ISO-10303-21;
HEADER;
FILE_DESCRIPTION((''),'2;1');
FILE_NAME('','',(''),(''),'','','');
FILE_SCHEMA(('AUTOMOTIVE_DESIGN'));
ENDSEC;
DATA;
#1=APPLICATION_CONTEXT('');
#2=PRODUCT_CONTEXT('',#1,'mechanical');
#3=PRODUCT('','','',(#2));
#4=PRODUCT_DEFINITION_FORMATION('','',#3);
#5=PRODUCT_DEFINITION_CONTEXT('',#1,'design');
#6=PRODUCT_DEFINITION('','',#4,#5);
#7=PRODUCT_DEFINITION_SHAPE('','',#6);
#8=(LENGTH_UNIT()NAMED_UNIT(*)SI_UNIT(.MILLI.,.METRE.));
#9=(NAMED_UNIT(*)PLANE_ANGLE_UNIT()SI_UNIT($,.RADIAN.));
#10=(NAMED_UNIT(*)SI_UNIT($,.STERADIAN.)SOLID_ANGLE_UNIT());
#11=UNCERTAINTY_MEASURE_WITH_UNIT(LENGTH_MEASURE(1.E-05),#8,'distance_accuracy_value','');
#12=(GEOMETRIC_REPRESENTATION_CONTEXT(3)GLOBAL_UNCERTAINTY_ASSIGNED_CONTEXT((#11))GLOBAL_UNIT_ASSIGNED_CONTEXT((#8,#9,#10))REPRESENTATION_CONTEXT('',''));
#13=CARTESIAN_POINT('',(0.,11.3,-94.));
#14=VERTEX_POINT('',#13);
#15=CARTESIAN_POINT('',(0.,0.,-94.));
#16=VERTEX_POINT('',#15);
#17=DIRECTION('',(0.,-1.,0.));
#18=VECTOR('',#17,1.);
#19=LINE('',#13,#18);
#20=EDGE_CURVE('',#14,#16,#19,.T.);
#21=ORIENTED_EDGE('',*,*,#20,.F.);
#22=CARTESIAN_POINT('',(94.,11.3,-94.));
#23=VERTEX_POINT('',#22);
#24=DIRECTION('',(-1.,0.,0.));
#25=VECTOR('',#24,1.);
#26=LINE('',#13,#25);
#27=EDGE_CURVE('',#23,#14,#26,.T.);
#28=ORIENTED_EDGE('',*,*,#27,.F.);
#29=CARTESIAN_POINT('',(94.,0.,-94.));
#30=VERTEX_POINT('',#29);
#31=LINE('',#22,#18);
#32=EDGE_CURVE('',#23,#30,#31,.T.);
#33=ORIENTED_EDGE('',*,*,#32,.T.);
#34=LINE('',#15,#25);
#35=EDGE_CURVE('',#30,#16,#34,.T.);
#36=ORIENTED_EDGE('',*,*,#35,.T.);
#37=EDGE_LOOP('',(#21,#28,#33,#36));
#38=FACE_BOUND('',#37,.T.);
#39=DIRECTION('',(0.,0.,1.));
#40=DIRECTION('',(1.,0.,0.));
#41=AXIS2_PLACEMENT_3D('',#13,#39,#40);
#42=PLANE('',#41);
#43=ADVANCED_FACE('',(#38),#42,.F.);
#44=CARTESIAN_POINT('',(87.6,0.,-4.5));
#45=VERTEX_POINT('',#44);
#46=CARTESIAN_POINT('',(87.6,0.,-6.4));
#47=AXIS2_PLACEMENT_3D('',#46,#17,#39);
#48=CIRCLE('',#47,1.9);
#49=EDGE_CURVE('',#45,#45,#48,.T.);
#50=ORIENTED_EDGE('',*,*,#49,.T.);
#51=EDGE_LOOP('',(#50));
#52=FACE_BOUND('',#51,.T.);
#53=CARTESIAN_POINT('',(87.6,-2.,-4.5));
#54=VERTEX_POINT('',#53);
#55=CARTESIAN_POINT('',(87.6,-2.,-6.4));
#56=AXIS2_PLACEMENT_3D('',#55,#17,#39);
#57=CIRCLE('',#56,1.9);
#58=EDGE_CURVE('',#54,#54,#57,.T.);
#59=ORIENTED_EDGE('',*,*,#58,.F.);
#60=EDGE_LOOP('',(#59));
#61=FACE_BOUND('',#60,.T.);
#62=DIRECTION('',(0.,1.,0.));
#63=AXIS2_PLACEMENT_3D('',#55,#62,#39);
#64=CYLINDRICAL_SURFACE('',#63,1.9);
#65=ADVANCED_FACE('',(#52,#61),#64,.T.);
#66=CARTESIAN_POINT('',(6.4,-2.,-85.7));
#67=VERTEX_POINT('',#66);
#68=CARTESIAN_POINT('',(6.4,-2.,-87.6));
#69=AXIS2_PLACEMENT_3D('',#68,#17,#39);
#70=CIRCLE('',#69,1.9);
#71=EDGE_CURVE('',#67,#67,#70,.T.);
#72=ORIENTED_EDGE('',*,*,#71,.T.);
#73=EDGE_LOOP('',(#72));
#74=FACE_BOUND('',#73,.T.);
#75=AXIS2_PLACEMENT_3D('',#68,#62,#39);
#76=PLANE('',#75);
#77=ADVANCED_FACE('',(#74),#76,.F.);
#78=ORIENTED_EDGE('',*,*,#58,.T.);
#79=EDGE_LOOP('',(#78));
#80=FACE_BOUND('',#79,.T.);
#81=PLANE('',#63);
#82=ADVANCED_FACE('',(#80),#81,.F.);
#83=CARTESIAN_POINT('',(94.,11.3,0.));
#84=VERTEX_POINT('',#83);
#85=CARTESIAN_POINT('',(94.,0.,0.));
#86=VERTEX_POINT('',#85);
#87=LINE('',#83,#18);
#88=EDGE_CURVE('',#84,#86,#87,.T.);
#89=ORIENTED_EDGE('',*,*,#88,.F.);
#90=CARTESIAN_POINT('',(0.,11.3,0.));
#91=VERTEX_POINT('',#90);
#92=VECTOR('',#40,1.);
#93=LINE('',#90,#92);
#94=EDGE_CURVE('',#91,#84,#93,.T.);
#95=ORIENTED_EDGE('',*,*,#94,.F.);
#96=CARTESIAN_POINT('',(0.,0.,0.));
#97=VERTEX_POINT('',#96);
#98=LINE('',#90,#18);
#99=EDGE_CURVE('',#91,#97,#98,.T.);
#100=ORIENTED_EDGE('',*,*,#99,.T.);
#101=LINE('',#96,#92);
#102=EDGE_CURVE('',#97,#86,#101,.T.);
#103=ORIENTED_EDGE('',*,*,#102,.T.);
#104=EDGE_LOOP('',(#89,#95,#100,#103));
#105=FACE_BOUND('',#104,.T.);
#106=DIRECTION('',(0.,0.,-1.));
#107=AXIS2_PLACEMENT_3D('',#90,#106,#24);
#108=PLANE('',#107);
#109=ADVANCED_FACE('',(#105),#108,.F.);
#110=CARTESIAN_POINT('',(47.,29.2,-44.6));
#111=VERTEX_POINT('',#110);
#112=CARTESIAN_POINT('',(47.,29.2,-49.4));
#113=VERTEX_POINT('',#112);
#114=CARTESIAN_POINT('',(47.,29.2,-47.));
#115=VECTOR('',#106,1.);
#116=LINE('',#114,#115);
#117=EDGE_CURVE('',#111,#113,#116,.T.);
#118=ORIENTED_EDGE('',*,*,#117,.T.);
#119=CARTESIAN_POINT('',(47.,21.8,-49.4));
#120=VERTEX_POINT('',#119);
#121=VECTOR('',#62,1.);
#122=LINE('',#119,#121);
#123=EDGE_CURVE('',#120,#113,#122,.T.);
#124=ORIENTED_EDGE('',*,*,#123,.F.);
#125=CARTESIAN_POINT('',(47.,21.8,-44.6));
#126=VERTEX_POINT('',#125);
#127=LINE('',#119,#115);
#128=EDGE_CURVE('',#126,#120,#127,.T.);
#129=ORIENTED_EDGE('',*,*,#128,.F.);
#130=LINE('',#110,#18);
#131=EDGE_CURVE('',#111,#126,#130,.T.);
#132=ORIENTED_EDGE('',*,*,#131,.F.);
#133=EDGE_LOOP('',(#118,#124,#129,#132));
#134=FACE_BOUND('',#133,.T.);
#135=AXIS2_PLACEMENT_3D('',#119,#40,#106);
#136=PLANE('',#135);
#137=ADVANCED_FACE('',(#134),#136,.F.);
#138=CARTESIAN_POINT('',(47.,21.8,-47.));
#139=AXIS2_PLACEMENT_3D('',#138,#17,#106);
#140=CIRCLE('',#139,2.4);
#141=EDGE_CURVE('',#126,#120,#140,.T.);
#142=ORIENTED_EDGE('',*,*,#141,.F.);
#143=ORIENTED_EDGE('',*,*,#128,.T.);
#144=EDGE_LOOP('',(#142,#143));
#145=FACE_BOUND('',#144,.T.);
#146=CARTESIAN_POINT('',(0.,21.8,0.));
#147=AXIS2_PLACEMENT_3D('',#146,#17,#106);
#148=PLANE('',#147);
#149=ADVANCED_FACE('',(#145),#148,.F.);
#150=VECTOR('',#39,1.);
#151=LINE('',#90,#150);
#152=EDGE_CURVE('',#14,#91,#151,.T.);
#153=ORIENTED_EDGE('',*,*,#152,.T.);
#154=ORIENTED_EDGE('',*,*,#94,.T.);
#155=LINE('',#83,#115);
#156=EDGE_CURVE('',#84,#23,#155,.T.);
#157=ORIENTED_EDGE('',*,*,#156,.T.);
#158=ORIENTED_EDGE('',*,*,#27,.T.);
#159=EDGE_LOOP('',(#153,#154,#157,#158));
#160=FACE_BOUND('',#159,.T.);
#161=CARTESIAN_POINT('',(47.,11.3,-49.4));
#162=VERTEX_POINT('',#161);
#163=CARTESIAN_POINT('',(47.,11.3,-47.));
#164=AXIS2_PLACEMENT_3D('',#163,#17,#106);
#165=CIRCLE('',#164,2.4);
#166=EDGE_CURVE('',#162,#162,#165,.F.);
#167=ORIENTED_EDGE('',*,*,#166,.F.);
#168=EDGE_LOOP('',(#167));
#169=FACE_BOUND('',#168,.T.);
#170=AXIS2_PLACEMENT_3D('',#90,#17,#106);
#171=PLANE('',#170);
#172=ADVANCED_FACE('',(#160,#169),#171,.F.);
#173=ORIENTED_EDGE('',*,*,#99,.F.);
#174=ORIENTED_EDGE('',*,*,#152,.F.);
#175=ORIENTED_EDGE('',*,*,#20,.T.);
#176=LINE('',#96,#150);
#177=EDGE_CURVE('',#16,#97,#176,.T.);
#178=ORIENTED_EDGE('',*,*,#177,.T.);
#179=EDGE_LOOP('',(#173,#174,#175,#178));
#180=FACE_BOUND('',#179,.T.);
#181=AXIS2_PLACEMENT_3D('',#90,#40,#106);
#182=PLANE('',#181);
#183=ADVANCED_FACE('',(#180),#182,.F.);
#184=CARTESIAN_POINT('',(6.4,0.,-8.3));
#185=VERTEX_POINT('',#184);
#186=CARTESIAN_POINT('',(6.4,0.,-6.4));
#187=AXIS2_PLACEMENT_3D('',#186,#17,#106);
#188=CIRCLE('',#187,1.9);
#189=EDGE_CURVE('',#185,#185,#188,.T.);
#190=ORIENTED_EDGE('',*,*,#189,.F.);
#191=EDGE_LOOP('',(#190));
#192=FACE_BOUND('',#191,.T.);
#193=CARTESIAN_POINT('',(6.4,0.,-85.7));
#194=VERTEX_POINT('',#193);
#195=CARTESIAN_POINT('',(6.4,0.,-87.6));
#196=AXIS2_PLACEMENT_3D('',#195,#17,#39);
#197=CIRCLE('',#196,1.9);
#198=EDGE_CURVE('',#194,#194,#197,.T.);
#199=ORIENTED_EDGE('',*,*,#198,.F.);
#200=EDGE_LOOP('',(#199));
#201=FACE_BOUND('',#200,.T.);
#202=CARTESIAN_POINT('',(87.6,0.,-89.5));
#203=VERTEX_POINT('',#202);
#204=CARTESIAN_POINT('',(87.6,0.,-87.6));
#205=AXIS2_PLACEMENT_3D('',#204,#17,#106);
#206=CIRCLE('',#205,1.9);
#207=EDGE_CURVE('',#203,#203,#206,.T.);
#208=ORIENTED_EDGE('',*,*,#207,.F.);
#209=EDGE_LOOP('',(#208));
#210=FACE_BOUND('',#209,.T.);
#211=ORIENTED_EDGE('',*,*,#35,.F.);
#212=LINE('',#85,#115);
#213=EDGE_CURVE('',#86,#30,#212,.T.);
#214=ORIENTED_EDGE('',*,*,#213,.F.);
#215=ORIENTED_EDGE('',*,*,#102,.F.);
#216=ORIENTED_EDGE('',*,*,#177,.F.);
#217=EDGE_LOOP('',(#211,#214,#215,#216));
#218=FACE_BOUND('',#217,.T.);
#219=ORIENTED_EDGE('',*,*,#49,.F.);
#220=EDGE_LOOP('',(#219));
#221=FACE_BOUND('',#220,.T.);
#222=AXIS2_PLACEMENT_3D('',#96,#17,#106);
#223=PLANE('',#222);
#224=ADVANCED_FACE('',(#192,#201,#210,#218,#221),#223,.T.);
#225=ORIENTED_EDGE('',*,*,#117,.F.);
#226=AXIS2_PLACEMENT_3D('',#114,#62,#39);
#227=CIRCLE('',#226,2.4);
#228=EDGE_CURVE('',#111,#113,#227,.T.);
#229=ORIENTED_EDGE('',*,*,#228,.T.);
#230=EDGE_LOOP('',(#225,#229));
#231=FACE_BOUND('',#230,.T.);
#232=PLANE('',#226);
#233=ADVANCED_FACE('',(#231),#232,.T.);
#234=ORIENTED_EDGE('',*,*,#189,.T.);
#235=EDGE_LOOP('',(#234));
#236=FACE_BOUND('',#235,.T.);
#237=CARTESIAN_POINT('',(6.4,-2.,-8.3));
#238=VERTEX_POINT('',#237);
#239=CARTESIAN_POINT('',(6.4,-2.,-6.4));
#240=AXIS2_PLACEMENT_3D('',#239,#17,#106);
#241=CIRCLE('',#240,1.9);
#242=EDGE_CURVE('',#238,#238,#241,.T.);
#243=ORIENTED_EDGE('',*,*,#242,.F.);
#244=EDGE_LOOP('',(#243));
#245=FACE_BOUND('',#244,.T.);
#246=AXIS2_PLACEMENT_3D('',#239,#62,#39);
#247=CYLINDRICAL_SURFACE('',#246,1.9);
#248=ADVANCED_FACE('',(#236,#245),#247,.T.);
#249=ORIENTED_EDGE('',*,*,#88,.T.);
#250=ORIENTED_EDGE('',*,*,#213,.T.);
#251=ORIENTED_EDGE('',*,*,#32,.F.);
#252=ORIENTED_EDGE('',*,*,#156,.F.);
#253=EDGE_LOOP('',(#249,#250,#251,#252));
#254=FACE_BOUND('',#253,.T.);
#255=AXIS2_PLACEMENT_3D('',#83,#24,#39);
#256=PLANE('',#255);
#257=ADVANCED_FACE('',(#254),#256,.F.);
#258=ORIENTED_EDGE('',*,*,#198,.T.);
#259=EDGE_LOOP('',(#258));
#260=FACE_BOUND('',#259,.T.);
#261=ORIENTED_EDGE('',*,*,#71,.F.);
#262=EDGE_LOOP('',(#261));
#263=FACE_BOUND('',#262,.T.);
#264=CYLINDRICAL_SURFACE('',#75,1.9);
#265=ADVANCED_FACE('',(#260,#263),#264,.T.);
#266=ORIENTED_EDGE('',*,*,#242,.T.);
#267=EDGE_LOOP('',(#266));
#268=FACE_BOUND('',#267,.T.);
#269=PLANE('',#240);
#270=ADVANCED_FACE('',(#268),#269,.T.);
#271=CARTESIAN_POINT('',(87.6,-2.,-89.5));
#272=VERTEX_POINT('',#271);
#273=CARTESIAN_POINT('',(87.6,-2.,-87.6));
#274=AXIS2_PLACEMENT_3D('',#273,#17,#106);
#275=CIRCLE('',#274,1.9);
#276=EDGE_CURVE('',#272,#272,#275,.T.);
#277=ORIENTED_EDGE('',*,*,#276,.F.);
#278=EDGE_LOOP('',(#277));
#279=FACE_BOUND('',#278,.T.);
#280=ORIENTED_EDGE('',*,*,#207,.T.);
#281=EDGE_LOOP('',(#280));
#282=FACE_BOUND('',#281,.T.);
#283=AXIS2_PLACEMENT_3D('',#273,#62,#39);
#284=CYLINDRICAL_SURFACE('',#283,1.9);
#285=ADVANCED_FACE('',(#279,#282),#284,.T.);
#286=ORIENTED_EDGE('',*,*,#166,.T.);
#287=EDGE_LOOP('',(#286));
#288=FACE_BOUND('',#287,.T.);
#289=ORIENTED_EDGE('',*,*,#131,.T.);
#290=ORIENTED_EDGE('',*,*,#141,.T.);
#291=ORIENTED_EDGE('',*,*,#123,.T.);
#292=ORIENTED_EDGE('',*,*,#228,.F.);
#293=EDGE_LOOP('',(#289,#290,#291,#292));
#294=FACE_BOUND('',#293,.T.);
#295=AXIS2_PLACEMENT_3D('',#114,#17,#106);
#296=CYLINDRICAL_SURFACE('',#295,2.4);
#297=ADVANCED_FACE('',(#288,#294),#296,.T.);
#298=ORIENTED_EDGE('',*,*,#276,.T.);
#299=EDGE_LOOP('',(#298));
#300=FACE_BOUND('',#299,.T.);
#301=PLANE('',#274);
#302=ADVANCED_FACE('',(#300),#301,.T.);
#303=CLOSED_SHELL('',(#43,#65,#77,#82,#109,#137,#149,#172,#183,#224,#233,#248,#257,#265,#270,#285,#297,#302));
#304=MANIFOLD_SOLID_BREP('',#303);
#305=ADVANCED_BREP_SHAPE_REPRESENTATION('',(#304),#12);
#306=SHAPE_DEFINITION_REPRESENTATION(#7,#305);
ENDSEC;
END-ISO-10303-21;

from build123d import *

# Parameters (mm, degrees)
SKETCH1_W           = 94
SKETCH1_H           = 94
BOSS_EXTRUDE1_DEPTH = 11.3
SKETCH2_R           = 1.9
BOSS_EXTRUDE2_DEPTH = 2
SKETCH3_R           = 2.4
BOSS_EXTRUDE3_DEPTH = 17.9
SKETCH4_W           = 4
SKETCH4_H           = 7
CUT_EXTRUDE1_DEPTH  = 7.4


with BuildPart() as part:
    # Sketch1 → Boss-Extrude1 (new body)
    with BuildSketch(Plane(origin=(0, 0, 0), x_dir=(1, 0, 0), z_dir=(0, 1, 0))):
        with Locations((47, 47)):
            Rectangle(SKETCH1_W, SKETCH1_H)
    extrude(amount=BOSS_EXTRUDE1_DEPTH)

    # Sketch2 → Boss-Extrude2 (add)
    with BuildSketch(Plane.XZ):
        with Locations(Location((6.4, -6.4, 0), (0, 0, 270))):
            Circle(SKETCH2_R)
        with Locations(Location((6.4, -87.6, 0), (0, 0, 90))):
            Circle(SKETCH2_R)
        with Locations(Location((87.6, -87.6, 0), (0, 0, 270))):
            Circle(SKETCH2_R)
        with Locations(Location((87.6, -6.4, 0), (0, 0, 90))):
            Circle(SKETCH2_R)
    extrude(amount=BOSS_EXTRUDE2_DEPTH)

    # Sketch3 → Boss-Extrude3 (add)
    with BuildSketch(Plane(origin=(0, 11.3, 0), x_dir=(1, 0, 0), z_dir=(0, 1, 0))):
        with Locations(Location((47, 47, 0), (0, 0, 90))):
            Circle(SKETCH3_R)
    extrude(amount=BOSS_EXTRUDE3_DEPTH)

    # Sketch4 → Cut-Extrude1 (cut)
    with BuildSketch(Plane(origin=(0, 29.2, 0), x_dir=(1, 0, 0), z_dir=(0, 1, 0))):
        with Locations((45, 45.9)):
            Rectangle(SKETCH4_W, SKETCH4_H)
    extrude(amount=-CUT_EXTRUDE1_DEPTH, mode=Mode.SUBTRACT)


solid = part.part
